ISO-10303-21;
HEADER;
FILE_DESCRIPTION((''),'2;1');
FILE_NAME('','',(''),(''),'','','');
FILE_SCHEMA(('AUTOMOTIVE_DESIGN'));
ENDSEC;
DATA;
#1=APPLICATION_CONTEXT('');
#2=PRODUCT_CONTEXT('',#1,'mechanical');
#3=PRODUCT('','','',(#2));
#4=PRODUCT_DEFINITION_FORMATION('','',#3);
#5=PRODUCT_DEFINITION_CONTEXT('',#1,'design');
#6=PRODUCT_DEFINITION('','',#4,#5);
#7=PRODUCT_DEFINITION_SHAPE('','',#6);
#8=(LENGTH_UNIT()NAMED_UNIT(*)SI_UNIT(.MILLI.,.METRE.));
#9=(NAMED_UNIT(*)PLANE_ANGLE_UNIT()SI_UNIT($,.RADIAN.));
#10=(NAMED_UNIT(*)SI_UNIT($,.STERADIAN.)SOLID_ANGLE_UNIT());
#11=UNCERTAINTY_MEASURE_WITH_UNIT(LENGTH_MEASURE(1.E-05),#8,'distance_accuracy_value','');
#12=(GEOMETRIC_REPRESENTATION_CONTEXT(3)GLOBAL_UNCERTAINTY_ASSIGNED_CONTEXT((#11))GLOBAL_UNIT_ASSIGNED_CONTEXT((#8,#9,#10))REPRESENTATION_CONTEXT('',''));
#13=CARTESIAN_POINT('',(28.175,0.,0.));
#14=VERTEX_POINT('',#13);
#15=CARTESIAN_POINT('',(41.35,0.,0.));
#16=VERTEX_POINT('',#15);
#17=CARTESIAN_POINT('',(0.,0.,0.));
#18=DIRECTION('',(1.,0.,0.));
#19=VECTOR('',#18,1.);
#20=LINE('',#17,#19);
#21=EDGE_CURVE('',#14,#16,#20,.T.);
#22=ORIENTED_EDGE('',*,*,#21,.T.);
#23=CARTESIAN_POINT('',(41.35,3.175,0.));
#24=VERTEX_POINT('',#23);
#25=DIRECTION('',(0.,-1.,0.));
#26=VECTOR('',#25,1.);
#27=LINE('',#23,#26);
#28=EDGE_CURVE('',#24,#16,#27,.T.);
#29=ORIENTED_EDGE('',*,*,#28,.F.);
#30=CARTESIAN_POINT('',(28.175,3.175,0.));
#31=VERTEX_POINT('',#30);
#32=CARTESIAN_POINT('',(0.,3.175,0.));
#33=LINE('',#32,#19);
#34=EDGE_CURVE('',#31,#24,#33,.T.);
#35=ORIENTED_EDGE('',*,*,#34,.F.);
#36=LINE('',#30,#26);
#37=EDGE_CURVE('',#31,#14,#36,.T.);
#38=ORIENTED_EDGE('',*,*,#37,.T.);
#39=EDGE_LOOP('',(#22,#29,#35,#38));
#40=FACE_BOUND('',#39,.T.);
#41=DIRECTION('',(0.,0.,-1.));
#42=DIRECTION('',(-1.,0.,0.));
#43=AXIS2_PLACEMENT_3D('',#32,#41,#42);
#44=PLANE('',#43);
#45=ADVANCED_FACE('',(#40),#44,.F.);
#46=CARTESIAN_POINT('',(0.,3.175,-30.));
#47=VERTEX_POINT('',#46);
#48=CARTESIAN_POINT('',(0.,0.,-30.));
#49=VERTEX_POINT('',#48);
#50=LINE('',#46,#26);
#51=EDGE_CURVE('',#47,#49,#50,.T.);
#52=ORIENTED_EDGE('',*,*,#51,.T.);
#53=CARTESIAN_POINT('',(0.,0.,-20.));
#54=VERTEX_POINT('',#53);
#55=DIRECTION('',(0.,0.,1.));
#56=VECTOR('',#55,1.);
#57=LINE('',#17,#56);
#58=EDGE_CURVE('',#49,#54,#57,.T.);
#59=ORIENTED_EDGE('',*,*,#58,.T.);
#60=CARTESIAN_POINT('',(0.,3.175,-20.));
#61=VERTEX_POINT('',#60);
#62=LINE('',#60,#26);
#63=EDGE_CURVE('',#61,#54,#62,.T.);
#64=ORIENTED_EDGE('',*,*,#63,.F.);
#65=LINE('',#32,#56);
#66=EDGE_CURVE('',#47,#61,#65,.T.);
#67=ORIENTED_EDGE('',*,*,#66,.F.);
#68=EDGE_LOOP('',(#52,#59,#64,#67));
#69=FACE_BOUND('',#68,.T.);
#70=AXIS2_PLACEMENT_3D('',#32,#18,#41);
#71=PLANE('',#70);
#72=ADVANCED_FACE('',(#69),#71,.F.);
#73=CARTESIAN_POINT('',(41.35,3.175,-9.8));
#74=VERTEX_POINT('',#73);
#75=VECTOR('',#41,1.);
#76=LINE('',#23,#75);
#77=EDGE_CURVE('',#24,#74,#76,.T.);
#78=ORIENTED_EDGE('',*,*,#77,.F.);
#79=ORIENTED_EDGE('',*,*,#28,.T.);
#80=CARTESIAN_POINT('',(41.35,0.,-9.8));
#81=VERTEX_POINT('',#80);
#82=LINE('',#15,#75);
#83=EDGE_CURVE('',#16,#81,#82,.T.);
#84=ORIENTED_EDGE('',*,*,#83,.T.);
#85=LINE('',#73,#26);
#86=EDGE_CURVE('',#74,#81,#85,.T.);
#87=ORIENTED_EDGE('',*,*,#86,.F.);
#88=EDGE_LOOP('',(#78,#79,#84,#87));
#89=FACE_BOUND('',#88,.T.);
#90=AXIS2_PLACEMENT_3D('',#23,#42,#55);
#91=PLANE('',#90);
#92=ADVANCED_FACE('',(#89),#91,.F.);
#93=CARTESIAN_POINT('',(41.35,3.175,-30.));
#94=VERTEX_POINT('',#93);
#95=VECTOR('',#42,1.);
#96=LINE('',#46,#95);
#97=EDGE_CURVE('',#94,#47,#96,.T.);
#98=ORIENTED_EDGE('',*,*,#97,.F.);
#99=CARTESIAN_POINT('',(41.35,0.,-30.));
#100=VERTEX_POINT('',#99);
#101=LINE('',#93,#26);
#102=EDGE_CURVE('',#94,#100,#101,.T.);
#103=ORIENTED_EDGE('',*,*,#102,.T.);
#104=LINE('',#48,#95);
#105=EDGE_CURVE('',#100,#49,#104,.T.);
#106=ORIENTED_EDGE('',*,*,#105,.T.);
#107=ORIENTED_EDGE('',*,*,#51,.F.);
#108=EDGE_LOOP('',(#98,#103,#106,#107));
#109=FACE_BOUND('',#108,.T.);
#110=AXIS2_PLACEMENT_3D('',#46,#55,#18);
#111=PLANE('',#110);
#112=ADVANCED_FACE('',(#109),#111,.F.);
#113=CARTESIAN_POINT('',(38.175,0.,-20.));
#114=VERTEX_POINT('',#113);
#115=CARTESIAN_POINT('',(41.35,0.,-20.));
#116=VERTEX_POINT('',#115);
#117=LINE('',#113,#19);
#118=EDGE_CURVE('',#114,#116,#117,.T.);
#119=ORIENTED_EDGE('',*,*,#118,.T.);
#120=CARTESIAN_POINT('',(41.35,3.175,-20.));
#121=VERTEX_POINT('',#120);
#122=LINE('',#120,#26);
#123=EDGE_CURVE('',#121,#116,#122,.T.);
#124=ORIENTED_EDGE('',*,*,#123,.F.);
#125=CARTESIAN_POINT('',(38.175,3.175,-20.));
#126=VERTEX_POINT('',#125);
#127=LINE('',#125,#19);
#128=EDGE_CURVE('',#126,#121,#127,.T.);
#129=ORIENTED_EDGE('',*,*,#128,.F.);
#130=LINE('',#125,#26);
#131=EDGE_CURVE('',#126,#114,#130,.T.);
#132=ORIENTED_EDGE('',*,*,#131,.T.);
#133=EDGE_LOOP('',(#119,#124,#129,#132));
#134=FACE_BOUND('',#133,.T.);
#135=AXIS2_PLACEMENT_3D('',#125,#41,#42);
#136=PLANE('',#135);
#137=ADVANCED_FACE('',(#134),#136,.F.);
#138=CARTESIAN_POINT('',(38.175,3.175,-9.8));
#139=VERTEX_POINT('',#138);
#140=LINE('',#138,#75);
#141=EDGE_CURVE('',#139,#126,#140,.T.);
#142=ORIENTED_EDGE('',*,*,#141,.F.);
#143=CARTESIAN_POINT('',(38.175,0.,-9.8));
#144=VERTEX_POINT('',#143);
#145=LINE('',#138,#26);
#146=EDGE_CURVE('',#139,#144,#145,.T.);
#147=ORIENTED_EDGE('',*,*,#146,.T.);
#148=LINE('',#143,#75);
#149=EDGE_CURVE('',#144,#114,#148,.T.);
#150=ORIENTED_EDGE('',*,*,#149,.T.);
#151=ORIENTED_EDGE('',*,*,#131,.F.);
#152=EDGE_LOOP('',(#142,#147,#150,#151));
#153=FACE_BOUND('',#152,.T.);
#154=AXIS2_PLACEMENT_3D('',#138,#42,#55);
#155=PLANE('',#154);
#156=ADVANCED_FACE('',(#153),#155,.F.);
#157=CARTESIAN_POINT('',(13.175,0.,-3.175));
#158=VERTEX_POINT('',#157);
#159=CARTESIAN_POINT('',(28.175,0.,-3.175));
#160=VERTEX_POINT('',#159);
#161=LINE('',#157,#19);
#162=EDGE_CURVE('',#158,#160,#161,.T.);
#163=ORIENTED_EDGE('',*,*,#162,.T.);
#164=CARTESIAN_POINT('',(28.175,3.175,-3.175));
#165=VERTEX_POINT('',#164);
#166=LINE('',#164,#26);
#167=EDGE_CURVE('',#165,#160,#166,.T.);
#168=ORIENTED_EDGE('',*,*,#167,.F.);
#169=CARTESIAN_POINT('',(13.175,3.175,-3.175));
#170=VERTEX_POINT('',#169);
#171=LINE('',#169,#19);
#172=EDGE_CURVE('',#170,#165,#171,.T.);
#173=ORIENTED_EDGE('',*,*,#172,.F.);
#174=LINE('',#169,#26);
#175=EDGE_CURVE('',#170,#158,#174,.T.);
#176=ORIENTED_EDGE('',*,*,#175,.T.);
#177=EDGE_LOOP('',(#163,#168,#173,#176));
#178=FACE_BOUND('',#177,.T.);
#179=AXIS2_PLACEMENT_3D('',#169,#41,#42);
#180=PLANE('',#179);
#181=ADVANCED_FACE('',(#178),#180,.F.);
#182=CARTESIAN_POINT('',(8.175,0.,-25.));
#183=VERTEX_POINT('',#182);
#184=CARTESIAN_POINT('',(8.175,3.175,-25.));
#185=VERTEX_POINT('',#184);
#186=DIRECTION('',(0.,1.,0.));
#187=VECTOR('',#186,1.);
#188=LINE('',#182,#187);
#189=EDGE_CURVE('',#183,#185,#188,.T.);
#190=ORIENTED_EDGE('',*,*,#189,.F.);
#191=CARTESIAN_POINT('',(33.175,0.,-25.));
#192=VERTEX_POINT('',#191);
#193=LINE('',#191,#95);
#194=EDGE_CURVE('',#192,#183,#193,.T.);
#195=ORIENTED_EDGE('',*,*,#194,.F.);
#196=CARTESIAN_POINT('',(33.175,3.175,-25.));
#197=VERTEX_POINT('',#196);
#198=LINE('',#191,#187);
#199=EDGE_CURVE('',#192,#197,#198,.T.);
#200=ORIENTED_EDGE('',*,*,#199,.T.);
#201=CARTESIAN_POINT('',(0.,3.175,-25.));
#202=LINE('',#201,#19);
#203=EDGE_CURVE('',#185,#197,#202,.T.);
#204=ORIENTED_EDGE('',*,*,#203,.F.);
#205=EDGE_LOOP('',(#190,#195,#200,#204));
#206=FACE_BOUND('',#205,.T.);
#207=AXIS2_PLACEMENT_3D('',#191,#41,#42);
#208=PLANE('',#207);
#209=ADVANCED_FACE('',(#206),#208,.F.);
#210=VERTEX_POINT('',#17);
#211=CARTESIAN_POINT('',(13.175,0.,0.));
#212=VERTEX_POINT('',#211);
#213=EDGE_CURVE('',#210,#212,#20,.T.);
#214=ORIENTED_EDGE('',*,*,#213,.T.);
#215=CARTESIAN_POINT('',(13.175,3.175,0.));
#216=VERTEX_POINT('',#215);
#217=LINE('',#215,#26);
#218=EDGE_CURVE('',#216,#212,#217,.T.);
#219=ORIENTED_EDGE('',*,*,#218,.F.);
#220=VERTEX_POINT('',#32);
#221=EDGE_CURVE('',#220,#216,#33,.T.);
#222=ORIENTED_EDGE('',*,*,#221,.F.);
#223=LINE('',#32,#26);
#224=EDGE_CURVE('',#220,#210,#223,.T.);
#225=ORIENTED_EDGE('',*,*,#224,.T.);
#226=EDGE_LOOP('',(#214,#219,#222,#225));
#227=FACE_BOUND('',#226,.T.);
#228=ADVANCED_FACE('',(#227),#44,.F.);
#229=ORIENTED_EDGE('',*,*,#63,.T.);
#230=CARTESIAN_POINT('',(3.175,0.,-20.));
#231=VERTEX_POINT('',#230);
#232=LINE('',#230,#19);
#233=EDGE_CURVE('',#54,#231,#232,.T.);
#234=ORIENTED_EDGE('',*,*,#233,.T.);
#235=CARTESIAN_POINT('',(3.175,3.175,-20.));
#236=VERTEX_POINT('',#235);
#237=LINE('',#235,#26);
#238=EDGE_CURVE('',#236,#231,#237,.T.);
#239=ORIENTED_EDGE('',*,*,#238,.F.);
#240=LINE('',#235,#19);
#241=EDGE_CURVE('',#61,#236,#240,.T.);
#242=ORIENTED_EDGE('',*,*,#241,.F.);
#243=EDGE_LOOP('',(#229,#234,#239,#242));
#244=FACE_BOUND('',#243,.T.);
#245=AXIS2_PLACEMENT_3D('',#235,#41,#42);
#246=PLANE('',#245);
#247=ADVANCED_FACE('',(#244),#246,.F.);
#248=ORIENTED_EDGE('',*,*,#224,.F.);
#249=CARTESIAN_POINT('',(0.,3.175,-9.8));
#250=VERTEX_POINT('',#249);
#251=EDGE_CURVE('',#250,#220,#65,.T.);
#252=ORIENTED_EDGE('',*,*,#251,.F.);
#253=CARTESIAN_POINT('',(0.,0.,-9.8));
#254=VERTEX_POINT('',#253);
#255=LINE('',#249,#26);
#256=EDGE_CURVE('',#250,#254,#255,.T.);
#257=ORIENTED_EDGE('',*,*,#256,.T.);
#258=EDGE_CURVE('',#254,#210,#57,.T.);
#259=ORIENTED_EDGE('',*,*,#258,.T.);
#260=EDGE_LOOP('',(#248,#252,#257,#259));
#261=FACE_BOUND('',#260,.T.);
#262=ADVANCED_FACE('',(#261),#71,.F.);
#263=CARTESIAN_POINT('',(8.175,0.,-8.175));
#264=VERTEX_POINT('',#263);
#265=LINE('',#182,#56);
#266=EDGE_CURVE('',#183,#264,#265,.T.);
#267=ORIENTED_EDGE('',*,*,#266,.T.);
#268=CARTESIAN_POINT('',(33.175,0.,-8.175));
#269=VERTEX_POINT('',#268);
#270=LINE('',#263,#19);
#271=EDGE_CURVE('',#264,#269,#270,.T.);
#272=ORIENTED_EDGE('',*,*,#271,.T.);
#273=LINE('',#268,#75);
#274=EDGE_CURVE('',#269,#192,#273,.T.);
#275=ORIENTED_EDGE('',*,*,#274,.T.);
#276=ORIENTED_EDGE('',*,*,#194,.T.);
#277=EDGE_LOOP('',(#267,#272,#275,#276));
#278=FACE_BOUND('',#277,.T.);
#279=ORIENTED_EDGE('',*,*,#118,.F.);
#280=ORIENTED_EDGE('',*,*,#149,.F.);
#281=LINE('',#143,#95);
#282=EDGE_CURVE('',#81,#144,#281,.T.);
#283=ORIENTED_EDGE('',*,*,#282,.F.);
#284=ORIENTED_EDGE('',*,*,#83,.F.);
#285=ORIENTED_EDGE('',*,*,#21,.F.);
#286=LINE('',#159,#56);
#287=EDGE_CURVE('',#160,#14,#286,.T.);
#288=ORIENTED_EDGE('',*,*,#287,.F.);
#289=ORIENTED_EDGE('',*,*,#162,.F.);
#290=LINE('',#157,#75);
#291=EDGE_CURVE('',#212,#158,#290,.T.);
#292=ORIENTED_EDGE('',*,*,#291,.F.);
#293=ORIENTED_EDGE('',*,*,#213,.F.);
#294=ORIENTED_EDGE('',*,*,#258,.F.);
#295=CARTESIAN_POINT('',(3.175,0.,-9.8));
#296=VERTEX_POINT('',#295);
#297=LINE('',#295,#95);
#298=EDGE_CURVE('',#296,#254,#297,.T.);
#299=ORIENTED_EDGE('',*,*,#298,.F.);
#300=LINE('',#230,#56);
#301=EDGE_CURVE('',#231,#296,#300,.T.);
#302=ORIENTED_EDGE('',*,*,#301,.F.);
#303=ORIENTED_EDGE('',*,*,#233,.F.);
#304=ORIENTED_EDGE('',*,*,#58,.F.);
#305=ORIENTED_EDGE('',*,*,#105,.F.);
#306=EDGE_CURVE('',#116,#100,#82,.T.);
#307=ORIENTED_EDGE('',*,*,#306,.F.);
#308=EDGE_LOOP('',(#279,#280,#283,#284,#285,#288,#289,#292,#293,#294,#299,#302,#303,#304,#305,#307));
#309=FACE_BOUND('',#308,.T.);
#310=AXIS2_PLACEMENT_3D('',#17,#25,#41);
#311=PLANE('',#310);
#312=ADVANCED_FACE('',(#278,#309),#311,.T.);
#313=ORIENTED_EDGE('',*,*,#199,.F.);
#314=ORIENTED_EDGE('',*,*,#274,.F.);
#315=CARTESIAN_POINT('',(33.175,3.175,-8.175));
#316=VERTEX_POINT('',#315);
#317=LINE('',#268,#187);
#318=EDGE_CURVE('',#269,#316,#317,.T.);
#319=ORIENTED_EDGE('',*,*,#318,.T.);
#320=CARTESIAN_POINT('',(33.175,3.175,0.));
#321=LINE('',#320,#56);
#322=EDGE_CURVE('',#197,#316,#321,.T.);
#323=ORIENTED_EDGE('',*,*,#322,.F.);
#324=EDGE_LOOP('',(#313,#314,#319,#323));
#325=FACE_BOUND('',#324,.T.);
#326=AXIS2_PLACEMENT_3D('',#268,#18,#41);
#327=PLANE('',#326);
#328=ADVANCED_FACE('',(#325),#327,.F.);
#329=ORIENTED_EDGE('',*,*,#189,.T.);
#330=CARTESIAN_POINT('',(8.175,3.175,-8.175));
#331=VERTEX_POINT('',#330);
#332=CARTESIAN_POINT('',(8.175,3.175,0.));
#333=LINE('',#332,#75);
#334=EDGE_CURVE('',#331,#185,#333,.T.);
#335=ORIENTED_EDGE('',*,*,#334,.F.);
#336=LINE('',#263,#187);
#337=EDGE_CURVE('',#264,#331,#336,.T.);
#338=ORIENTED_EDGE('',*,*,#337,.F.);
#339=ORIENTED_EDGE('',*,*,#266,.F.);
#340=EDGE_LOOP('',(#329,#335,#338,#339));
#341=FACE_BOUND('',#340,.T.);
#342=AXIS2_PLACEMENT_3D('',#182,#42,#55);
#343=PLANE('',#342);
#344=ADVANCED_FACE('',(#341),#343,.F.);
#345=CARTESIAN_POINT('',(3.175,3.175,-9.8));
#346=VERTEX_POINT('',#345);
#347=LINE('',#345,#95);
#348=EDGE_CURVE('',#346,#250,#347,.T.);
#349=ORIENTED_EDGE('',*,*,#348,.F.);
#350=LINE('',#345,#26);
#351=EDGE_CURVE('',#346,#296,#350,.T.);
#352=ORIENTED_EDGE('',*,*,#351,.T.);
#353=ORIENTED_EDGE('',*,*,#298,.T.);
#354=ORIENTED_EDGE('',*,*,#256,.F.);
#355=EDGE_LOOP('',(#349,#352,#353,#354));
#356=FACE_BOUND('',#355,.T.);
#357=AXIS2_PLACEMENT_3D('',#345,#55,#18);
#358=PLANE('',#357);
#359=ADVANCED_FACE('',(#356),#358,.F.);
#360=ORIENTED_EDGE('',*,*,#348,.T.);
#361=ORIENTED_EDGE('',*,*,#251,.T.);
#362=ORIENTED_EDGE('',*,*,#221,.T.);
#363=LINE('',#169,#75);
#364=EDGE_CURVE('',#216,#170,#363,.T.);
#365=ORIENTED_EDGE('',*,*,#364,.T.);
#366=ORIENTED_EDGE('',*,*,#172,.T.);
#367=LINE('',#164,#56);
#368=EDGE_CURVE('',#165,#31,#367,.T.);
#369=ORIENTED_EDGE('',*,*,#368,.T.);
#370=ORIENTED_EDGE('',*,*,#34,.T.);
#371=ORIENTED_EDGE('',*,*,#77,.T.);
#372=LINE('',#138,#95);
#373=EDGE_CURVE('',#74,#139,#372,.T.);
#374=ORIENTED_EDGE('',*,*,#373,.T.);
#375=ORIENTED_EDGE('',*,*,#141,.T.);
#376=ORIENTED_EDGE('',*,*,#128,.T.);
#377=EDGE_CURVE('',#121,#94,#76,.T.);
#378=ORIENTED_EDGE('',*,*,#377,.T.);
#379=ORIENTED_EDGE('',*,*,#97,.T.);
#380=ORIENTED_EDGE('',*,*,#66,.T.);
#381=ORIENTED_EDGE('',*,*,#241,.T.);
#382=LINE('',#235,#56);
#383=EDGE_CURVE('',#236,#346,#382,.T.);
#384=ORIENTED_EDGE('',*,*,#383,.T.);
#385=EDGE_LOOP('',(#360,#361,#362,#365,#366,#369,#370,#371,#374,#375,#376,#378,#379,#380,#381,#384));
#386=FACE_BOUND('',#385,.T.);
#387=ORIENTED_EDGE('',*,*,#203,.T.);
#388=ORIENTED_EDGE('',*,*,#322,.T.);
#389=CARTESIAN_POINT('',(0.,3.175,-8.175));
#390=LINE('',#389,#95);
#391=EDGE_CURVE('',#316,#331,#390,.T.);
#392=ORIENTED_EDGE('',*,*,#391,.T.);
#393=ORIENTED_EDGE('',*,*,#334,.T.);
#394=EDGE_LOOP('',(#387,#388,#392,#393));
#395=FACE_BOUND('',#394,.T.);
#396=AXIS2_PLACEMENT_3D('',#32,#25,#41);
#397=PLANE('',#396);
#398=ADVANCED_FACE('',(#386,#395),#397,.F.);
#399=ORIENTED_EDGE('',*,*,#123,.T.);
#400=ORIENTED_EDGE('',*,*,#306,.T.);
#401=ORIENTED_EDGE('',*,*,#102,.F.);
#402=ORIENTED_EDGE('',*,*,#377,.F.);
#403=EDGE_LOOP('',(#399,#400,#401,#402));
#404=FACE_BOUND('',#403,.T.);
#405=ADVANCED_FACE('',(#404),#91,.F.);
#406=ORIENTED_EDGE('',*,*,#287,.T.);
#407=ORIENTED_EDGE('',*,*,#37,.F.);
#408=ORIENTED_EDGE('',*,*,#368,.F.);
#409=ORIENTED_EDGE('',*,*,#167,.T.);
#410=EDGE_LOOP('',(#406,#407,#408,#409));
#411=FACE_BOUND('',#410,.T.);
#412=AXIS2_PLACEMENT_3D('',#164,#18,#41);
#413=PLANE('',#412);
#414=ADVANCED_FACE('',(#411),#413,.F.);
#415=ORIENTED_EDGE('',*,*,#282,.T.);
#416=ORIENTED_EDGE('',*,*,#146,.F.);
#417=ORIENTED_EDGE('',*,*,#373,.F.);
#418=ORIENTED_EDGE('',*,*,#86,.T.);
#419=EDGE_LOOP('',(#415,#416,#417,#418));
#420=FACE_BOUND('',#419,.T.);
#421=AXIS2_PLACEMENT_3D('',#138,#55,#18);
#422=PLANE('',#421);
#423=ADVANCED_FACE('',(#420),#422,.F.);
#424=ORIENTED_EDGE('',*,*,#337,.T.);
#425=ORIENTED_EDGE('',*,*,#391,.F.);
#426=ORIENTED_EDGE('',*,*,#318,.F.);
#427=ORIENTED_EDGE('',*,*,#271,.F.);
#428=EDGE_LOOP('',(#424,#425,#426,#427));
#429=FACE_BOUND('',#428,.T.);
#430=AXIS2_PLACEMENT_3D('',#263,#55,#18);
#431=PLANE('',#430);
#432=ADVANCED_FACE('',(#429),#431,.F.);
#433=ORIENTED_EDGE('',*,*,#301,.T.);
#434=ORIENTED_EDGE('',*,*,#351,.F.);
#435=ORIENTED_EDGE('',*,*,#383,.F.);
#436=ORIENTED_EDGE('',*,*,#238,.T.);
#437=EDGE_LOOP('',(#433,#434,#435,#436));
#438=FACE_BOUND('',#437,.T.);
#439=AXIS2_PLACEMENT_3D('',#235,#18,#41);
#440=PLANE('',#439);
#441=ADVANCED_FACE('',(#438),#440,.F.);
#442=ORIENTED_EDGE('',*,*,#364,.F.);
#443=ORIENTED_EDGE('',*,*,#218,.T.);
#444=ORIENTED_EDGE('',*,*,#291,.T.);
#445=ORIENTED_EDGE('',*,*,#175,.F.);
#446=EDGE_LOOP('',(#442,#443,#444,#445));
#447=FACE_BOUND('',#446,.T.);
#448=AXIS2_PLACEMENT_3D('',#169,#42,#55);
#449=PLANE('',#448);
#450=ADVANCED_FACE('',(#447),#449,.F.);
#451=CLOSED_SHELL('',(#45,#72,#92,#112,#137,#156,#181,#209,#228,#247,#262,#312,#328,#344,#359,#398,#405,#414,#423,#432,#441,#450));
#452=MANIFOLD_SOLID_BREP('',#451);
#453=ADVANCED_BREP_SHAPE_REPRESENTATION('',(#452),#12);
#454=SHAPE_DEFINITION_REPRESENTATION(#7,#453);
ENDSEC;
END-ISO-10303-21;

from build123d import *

# Parameters (mm, degrees)
SKETCH1_W               = 41.35
SKETCH1_H               = 30
BOSS_EXTRUDE1_DEPTH     = 3.175
SKETCH2_W               = 3.175
SKETCH2_H               = 10.2
SKETCH2_W_2             = 15
SKETCH2_H_2             = 3.175
CUT_EXTRUDE1_DEPTH      = 4.175
SKETCH3_W               = 25
SKETCH3_H               = 16.825
CUT_EXTRUDE2_DEPTH      = 1
CUT_EXTRUDE2_DEPTH_BACK = 4.175


with BuildPart() as part:
    # Sketch1 → Boss-Extrude1 (new body)
    with BuildSketch(Plane(origin=(0, 0, 0), x_dir=(1, 0, 0), z_dir=(0, 1, 0))):
        with Locations((20.675, 15)):
            Rectangle(SKETCH1_W, SKETCH1_H)
    extrude(amount=BOSS_EXTRUDE1_DEPTH)

    # Sketch2 → Cut-Extrude1 (cut, through all)
    with BuildSketch(Plane.XZ):
        with Locations((1.5875, -14.9)):
            Rectangle(SKETCH2_W, SKETCH2_H)
        with Locations((39.7625, -14.9)):
            Rectangle(SKETCH2_W, SKETCH2_H)
        with Locations((20.675, -1.5875)):
            Rectangle(SKETCH2_W_2, SKETCH2_H_2)
    extrude(amount=-CUT_EXTRUDE1_DEPTH, mode=Mode.SUBTRACT)

    # Sketch3 → Cut-Extrude2 (cut, two sides)
    with BuildSketch(Plane(origin=(0, 3.175, 0), x_dir=(1, 0, 0), z_dir=(0, 1, 0))) as cut_extrude2_sk:
        with Locations((20.675, 16.5875)):
            Rectangle(SKETCH3_W, SKETCH3_H)
    extrude(amount=CUT_EXTRUDE2_DEPTH, mode=Mode.SUBTRACT)
    extrude(cut_extrude2_sk.sketch, amount=-CUT_EXTRUDE2_DEPTH_BACK, mode=Mode.SUBTRACT)


solid = part.part
